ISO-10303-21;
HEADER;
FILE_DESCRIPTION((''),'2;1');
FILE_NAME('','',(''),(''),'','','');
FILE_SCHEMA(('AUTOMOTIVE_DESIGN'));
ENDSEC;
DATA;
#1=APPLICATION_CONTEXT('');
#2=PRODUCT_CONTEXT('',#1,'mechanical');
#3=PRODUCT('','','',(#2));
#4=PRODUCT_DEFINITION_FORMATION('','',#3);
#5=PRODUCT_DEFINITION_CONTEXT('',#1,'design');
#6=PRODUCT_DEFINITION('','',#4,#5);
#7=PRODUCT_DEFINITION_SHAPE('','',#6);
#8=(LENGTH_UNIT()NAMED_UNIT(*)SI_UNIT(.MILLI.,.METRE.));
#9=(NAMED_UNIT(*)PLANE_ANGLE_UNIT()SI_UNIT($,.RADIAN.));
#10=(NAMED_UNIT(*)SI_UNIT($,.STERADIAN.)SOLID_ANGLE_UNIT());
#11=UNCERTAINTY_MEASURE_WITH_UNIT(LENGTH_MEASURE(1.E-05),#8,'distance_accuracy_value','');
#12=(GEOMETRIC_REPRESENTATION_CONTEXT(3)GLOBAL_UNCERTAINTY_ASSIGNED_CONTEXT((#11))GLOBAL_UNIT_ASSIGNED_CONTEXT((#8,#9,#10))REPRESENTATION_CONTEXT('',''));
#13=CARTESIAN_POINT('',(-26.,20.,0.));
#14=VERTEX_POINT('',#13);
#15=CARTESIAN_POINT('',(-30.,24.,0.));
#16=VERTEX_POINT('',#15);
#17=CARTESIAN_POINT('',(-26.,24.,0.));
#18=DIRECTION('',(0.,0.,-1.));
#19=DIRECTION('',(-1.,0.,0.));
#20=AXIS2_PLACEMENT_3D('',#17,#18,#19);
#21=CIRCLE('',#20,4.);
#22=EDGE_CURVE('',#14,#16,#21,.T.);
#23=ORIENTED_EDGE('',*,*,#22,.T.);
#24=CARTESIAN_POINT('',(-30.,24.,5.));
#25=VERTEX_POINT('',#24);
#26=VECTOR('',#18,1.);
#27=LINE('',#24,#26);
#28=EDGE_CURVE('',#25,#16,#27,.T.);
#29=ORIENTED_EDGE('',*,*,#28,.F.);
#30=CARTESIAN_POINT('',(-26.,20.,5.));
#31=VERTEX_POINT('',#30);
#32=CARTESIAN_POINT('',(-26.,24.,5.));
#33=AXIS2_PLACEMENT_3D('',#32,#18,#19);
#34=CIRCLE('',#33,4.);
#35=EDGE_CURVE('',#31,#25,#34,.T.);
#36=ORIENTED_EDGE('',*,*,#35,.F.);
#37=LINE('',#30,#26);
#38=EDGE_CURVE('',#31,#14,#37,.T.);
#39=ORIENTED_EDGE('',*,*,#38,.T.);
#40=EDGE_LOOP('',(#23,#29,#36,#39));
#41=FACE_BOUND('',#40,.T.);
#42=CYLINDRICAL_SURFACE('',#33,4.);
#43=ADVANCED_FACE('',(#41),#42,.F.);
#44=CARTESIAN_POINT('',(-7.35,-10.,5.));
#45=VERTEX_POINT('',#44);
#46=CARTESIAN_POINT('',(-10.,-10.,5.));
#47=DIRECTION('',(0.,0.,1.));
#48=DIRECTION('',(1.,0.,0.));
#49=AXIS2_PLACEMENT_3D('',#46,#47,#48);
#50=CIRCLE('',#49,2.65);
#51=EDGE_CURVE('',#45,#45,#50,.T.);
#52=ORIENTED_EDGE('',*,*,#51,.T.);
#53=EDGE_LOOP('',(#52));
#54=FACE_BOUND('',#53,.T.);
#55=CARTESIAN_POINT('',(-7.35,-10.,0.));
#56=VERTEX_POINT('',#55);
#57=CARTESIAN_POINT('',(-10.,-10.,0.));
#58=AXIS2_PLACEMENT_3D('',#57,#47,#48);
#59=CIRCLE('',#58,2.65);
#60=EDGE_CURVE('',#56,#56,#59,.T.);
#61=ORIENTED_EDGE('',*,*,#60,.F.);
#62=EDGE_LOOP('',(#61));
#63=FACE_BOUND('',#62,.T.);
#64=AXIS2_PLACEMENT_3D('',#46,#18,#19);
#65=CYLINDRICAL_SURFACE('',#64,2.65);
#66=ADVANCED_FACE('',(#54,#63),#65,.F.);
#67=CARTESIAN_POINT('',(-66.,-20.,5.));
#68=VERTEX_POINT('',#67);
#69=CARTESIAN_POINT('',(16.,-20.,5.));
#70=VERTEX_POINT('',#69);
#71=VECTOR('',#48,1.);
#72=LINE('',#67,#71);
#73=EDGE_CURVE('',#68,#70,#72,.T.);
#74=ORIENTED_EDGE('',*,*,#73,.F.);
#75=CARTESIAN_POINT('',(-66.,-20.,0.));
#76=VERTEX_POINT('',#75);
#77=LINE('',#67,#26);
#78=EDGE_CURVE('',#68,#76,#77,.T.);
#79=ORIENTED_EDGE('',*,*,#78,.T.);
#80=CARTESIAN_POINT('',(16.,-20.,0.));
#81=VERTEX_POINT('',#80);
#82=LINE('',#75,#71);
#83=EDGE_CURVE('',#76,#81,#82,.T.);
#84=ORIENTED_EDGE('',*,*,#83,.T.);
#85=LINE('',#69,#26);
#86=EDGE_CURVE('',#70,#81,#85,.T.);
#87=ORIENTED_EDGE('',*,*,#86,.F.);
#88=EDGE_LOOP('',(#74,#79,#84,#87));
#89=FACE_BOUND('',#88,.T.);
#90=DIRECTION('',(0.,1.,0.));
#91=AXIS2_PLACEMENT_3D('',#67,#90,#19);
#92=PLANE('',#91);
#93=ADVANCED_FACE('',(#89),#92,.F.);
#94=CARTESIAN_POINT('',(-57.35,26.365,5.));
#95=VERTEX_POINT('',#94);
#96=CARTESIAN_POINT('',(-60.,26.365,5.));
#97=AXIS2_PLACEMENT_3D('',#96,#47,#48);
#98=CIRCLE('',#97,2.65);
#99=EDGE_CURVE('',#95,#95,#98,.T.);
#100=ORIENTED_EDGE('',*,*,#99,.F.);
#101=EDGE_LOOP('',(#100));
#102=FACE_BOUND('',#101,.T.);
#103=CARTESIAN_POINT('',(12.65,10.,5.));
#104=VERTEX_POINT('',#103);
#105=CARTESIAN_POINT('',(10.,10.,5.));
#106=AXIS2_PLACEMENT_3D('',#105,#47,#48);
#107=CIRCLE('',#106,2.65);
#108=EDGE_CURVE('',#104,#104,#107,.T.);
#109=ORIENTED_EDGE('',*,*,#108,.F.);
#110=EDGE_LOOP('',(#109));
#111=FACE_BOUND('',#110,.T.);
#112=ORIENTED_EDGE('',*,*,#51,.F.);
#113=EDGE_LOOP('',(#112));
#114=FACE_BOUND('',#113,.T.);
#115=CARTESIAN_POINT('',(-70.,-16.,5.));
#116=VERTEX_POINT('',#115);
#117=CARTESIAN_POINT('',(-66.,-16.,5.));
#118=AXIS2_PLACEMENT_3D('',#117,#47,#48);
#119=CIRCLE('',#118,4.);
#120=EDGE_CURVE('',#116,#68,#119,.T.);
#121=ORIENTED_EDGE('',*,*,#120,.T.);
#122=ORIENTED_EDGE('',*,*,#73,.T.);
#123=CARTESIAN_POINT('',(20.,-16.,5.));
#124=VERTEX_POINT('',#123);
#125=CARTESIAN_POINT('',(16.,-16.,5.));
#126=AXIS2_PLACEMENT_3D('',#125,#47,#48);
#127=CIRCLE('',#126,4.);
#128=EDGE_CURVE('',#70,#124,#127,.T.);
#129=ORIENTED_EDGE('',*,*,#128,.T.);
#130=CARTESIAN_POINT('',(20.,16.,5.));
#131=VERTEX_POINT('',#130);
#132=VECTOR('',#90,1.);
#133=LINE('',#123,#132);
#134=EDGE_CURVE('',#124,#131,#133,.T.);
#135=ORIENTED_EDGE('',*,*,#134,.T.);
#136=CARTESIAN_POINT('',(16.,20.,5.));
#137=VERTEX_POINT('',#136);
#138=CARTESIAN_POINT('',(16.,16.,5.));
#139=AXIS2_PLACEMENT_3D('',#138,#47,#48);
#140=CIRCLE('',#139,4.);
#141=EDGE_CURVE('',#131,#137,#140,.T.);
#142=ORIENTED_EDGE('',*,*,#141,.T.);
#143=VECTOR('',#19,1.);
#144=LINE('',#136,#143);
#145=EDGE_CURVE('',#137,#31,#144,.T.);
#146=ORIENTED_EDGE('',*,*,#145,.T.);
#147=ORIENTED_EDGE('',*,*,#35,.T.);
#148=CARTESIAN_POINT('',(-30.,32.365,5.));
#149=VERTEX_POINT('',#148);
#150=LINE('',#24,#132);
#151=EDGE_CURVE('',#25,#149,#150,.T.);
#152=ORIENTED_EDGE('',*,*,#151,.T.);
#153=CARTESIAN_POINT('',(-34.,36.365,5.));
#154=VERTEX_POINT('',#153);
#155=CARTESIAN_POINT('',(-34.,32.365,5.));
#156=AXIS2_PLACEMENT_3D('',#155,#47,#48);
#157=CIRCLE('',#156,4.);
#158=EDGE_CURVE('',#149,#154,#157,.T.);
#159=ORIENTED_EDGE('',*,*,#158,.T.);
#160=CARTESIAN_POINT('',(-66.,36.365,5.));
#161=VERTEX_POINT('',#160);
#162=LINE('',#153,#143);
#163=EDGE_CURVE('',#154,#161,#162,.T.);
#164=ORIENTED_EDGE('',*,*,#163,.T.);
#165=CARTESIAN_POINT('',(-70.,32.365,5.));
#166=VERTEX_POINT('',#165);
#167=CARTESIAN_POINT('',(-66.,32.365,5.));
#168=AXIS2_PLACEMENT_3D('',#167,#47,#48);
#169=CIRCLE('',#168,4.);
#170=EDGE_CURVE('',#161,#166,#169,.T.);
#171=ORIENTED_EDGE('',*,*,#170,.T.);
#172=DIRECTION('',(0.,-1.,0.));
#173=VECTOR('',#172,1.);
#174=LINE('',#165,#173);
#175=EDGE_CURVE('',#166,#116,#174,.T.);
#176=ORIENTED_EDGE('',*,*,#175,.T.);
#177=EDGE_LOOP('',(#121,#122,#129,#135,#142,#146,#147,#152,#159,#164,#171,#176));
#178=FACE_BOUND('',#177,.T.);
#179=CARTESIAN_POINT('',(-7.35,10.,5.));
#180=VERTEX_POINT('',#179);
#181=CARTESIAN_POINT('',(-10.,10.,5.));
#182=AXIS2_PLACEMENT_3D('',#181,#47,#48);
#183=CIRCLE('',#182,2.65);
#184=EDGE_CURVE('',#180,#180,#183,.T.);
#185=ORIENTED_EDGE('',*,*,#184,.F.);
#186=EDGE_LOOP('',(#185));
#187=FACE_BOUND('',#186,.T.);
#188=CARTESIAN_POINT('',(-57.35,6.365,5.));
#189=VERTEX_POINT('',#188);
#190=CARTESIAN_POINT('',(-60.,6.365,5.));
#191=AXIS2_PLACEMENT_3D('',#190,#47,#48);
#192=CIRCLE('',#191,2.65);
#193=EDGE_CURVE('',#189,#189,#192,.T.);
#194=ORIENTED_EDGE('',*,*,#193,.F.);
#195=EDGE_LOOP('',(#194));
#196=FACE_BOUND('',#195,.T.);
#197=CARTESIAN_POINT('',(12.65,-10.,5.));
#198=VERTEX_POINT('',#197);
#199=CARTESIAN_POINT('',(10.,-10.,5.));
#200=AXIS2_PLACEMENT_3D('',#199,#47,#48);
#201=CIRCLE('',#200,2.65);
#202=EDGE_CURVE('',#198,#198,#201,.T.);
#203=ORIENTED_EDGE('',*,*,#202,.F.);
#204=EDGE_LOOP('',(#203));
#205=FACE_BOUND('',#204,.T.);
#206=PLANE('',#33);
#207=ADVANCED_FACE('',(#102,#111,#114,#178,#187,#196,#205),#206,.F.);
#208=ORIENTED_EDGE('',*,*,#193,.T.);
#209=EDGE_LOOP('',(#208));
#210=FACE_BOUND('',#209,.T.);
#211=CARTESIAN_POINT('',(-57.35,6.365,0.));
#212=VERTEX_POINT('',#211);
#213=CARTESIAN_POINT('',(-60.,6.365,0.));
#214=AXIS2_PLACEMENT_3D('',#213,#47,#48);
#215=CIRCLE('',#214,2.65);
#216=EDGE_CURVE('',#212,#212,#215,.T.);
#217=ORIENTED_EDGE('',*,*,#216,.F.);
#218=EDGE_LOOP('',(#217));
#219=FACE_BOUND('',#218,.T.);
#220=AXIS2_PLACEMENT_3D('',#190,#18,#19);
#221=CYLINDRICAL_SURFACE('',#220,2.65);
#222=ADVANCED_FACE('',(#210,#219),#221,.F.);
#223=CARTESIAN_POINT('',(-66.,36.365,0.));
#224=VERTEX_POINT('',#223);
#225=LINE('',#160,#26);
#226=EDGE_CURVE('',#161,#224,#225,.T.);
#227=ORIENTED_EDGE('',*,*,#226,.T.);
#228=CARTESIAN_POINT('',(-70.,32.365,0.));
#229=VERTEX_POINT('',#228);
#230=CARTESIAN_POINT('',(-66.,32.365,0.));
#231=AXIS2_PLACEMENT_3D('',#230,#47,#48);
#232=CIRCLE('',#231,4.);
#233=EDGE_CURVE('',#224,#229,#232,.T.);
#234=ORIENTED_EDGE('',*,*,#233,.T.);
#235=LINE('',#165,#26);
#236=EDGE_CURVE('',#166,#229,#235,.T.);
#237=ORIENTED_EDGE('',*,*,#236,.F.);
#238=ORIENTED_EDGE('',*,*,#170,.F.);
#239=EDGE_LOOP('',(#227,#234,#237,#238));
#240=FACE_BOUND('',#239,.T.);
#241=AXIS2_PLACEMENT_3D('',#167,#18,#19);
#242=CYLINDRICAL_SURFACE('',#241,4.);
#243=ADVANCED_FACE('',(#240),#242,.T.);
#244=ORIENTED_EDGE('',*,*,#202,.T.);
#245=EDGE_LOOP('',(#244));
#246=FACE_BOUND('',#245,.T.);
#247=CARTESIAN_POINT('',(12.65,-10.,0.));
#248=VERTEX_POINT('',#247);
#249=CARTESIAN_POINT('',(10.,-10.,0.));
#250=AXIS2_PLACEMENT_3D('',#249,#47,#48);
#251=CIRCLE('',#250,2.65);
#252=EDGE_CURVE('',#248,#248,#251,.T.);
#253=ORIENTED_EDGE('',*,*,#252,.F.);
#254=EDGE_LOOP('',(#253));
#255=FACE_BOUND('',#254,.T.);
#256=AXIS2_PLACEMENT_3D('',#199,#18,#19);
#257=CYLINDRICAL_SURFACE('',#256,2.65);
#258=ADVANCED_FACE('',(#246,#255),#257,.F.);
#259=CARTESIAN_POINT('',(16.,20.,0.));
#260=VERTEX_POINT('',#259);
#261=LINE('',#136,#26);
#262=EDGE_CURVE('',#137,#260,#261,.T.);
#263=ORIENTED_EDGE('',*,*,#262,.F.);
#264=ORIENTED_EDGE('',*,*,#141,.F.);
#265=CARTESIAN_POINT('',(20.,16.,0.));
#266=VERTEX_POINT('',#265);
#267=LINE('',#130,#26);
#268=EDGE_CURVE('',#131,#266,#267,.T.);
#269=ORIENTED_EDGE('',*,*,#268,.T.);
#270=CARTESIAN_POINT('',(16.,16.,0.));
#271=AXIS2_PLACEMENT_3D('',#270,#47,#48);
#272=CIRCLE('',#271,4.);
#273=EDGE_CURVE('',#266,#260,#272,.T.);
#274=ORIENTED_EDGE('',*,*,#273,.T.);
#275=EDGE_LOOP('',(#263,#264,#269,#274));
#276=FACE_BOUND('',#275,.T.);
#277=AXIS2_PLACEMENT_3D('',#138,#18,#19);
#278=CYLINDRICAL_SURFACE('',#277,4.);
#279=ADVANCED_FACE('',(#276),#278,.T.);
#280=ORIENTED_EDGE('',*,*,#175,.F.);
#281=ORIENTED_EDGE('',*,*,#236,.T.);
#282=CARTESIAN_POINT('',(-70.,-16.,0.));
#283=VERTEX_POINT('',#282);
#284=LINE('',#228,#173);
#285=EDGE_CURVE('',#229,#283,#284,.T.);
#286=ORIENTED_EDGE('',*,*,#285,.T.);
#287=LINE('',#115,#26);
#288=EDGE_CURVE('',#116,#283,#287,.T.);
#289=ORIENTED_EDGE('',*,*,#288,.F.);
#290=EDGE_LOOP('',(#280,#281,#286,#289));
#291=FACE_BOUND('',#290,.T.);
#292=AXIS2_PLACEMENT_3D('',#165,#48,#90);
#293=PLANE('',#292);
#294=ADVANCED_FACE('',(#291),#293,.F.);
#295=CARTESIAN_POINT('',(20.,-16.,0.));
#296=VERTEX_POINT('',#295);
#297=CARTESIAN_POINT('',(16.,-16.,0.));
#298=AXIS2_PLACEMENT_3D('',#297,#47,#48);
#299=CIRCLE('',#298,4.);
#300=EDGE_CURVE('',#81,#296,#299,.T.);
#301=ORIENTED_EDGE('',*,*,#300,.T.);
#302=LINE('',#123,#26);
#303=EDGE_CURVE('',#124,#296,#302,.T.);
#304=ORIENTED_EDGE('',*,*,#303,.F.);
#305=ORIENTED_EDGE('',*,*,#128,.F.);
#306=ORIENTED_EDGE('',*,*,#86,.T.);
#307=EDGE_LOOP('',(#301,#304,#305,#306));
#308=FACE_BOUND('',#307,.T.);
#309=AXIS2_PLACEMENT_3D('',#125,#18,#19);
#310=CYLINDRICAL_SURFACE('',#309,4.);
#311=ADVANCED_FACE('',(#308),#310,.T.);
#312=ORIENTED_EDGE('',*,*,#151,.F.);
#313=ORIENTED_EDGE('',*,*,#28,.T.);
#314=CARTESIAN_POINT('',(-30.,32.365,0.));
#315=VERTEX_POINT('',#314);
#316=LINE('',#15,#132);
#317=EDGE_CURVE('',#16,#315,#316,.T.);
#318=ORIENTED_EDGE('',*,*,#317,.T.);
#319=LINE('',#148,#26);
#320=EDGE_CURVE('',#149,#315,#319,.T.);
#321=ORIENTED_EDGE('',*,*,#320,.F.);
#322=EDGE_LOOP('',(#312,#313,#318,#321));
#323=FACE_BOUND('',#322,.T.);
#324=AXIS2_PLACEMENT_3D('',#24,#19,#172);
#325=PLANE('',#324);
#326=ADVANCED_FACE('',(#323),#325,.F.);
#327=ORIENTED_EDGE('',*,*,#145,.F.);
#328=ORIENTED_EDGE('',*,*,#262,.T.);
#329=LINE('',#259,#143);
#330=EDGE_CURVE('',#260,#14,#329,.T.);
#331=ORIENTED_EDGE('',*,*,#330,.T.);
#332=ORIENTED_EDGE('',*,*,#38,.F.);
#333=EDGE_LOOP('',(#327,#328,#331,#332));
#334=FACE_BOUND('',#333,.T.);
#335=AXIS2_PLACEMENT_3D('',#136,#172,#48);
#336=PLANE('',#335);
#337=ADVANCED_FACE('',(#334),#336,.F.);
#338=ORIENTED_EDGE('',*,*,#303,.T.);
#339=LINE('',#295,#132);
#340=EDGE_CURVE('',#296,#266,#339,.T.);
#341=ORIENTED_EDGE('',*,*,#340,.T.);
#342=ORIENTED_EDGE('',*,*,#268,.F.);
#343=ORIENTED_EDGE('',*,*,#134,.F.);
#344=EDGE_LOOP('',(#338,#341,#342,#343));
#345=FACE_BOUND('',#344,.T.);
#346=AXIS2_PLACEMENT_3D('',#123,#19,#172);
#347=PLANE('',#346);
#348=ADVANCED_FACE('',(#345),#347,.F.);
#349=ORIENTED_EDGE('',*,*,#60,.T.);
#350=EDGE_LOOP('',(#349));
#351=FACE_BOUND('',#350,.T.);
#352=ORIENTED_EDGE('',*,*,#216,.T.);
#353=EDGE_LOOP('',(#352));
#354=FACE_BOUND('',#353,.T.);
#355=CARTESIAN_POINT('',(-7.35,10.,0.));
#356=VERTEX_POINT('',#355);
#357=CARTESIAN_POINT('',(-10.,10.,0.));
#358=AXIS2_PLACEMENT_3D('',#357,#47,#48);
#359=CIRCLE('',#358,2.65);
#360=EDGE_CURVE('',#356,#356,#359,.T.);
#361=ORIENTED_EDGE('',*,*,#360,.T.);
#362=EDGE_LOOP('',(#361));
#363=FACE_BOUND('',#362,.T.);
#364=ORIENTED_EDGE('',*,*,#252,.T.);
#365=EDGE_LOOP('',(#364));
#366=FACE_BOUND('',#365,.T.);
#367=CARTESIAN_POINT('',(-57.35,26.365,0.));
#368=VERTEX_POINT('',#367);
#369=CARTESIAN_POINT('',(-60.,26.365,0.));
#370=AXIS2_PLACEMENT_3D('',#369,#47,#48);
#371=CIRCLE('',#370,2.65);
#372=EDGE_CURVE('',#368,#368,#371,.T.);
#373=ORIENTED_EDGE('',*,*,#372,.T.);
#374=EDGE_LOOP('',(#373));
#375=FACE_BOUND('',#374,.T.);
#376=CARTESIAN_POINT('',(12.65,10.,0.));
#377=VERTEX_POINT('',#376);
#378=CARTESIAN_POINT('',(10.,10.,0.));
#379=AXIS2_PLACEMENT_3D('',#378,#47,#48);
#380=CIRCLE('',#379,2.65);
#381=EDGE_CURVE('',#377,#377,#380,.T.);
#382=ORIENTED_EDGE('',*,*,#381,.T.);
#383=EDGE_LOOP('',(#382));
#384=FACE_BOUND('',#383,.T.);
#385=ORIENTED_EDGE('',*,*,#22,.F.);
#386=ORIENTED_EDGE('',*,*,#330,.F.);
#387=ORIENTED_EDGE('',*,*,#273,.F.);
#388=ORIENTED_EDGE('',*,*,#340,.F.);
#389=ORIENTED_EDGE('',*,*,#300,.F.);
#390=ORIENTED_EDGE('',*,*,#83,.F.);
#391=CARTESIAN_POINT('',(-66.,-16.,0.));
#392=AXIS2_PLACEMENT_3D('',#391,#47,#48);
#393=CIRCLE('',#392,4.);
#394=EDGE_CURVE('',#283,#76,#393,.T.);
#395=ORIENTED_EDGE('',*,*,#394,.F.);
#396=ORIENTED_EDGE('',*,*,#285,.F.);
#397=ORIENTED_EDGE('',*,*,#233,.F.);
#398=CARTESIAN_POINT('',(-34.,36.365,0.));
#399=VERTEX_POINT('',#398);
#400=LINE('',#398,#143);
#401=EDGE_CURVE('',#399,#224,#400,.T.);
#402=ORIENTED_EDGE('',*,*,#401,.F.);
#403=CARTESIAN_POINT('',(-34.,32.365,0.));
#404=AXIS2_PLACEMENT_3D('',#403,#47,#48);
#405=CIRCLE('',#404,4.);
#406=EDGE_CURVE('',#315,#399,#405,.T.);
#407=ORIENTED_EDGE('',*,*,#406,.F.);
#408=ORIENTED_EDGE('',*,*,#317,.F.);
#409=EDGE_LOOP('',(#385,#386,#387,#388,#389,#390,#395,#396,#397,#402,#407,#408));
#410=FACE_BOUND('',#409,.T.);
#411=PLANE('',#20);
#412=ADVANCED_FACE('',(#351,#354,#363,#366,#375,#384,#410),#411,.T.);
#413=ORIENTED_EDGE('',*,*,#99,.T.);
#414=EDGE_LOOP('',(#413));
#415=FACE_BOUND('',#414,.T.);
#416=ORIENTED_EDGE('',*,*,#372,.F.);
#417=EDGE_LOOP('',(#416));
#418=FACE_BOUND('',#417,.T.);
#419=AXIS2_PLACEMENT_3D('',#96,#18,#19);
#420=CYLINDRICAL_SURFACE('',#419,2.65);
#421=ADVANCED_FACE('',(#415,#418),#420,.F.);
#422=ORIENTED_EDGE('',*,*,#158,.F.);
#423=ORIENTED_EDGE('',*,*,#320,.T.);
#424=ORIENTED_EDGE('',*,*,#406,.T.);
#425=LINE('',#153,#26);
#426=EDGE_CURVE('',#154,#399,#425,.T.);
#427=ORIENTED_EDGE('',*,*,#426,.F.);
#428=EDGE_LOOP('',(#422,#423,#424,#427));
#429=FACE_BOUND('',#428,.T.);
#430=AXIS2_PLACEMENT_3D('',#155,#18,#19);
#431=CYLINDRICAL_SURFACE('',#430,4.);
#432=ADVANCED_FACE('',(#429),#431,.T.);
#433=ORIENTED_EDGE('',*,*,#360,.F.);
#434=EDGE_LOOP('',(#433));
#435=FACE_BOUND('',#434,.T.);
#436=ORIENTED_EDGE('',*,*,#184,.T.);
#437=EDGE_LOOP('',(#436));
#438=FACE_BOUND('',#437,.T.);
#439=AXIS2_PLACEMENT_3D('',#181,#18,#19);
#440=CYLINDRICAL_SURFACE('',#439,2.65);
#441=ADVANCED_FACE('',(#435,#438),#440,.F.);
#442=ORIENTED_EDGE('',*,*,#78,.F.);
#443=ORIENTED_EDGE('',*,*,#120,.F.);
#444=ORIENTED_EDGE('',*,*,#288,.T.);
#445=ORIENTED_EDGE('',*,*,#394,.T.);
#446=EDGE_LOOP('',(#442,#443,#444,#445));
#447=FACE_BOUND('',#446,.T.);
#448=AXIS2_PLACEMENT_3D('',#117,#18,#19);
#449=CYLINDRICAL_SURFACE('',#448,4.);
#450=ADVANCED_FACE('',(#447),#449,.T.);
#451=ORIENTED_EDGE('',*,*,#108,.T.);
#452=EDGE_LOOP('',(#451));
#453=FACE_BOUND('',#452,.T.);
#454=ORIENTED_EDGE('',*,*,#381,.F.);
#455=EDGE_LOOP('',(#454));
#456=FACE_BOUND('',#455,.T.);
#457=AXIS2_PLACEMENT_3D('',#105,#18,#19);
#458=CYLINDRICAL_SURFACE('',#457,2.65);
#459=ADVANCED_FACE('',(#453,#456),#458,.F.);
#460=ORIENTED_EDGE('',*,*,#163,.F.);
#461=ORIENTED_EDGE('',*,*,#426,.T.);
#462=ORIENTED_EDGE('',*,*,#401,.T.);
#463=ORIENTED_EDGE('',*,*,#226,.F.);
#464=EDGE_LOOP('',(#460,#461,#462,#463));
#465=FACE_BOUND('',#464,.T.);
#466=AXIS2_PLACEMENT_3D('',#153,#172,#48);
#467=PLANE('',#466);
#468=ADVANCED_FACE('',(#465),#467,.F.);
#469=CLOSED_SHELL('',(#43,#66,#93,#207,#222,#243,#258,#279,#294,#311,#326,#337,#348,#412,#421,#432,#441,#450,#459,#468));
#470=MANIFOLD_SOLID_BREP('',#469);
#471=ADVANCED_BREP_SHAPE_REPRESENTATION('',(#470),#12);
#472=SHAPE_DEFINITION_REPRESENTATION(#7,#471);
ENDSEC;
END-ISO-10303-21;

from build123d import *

# Parameters (mm, degrees)
END_CAP_SKETCH_R        = 2.65
EXTRUDE_THICKNESS_DEPTH = 5


with BuildPart() as part:
    # End Cap Sketch → Extrude Thickness (new body)
    with BuildSketch(Plane.XY):
        with BuildLine():
            Line((-66, -20), (16, -20))
            ThreePointArc((16, -20), (18.828427125, -18.828427125), (20, -16))
            Line((20, -16), (20, 16))
            ThreePointArc((20, 16), (18.828427125, 18.828427125), (16, 20))
            Line((16, 20), (-26, 20))
            ThreePointArc((-26, 20), (-28.828427125, 21.171572875), (-30, 24))
            Line((-30, 24), (-30, 32.365))
            ThreePointArc((-30, 32.365), (-31.171572875, 35.193427125), (-34, 36.365))
            Line((-34, 36.365), (-66, 36.365))
            ThreePointArc((-66, 36.365), (-68.828427125, 35.193427125), (-70, 32.365))
            Line((-70, 32.365), (-70, -16))
            ThreePointArc((-70, -16), (-68.828427125, -18.828427125), (-66, -20))
        make_face()
        with Locations((-10, 10)):
            Circle(END_CAP_SKETCH_R, mode=Mode.SUBTRACT)
        with Locations((-10, -10)):
            Circle(END_CAP_SKETCH_R, mode=Mode.SUBTRACT)
        with Locations((10, 10)):
            Circle(END_CAP_SKETCH_R, mode=Mode.SUBTRACT)
        with Locations((10, -10)):
            Circle(END_CAP_SKETCH_R, mode=Mode.SUBTRACT)
        with Locations((-60, 26.365)):
            Circle(END_CAP_SKETCH_R, mode=Mode.SUBTRACT)
        with Locations((-60, 6.365)):
            Circle(END_CAP_SKETCH_R, mode=Mode.SUBTRACT)
    extrude(amount=EXTRUDE_THICKNESS_DEPTH)


solid = part.part
